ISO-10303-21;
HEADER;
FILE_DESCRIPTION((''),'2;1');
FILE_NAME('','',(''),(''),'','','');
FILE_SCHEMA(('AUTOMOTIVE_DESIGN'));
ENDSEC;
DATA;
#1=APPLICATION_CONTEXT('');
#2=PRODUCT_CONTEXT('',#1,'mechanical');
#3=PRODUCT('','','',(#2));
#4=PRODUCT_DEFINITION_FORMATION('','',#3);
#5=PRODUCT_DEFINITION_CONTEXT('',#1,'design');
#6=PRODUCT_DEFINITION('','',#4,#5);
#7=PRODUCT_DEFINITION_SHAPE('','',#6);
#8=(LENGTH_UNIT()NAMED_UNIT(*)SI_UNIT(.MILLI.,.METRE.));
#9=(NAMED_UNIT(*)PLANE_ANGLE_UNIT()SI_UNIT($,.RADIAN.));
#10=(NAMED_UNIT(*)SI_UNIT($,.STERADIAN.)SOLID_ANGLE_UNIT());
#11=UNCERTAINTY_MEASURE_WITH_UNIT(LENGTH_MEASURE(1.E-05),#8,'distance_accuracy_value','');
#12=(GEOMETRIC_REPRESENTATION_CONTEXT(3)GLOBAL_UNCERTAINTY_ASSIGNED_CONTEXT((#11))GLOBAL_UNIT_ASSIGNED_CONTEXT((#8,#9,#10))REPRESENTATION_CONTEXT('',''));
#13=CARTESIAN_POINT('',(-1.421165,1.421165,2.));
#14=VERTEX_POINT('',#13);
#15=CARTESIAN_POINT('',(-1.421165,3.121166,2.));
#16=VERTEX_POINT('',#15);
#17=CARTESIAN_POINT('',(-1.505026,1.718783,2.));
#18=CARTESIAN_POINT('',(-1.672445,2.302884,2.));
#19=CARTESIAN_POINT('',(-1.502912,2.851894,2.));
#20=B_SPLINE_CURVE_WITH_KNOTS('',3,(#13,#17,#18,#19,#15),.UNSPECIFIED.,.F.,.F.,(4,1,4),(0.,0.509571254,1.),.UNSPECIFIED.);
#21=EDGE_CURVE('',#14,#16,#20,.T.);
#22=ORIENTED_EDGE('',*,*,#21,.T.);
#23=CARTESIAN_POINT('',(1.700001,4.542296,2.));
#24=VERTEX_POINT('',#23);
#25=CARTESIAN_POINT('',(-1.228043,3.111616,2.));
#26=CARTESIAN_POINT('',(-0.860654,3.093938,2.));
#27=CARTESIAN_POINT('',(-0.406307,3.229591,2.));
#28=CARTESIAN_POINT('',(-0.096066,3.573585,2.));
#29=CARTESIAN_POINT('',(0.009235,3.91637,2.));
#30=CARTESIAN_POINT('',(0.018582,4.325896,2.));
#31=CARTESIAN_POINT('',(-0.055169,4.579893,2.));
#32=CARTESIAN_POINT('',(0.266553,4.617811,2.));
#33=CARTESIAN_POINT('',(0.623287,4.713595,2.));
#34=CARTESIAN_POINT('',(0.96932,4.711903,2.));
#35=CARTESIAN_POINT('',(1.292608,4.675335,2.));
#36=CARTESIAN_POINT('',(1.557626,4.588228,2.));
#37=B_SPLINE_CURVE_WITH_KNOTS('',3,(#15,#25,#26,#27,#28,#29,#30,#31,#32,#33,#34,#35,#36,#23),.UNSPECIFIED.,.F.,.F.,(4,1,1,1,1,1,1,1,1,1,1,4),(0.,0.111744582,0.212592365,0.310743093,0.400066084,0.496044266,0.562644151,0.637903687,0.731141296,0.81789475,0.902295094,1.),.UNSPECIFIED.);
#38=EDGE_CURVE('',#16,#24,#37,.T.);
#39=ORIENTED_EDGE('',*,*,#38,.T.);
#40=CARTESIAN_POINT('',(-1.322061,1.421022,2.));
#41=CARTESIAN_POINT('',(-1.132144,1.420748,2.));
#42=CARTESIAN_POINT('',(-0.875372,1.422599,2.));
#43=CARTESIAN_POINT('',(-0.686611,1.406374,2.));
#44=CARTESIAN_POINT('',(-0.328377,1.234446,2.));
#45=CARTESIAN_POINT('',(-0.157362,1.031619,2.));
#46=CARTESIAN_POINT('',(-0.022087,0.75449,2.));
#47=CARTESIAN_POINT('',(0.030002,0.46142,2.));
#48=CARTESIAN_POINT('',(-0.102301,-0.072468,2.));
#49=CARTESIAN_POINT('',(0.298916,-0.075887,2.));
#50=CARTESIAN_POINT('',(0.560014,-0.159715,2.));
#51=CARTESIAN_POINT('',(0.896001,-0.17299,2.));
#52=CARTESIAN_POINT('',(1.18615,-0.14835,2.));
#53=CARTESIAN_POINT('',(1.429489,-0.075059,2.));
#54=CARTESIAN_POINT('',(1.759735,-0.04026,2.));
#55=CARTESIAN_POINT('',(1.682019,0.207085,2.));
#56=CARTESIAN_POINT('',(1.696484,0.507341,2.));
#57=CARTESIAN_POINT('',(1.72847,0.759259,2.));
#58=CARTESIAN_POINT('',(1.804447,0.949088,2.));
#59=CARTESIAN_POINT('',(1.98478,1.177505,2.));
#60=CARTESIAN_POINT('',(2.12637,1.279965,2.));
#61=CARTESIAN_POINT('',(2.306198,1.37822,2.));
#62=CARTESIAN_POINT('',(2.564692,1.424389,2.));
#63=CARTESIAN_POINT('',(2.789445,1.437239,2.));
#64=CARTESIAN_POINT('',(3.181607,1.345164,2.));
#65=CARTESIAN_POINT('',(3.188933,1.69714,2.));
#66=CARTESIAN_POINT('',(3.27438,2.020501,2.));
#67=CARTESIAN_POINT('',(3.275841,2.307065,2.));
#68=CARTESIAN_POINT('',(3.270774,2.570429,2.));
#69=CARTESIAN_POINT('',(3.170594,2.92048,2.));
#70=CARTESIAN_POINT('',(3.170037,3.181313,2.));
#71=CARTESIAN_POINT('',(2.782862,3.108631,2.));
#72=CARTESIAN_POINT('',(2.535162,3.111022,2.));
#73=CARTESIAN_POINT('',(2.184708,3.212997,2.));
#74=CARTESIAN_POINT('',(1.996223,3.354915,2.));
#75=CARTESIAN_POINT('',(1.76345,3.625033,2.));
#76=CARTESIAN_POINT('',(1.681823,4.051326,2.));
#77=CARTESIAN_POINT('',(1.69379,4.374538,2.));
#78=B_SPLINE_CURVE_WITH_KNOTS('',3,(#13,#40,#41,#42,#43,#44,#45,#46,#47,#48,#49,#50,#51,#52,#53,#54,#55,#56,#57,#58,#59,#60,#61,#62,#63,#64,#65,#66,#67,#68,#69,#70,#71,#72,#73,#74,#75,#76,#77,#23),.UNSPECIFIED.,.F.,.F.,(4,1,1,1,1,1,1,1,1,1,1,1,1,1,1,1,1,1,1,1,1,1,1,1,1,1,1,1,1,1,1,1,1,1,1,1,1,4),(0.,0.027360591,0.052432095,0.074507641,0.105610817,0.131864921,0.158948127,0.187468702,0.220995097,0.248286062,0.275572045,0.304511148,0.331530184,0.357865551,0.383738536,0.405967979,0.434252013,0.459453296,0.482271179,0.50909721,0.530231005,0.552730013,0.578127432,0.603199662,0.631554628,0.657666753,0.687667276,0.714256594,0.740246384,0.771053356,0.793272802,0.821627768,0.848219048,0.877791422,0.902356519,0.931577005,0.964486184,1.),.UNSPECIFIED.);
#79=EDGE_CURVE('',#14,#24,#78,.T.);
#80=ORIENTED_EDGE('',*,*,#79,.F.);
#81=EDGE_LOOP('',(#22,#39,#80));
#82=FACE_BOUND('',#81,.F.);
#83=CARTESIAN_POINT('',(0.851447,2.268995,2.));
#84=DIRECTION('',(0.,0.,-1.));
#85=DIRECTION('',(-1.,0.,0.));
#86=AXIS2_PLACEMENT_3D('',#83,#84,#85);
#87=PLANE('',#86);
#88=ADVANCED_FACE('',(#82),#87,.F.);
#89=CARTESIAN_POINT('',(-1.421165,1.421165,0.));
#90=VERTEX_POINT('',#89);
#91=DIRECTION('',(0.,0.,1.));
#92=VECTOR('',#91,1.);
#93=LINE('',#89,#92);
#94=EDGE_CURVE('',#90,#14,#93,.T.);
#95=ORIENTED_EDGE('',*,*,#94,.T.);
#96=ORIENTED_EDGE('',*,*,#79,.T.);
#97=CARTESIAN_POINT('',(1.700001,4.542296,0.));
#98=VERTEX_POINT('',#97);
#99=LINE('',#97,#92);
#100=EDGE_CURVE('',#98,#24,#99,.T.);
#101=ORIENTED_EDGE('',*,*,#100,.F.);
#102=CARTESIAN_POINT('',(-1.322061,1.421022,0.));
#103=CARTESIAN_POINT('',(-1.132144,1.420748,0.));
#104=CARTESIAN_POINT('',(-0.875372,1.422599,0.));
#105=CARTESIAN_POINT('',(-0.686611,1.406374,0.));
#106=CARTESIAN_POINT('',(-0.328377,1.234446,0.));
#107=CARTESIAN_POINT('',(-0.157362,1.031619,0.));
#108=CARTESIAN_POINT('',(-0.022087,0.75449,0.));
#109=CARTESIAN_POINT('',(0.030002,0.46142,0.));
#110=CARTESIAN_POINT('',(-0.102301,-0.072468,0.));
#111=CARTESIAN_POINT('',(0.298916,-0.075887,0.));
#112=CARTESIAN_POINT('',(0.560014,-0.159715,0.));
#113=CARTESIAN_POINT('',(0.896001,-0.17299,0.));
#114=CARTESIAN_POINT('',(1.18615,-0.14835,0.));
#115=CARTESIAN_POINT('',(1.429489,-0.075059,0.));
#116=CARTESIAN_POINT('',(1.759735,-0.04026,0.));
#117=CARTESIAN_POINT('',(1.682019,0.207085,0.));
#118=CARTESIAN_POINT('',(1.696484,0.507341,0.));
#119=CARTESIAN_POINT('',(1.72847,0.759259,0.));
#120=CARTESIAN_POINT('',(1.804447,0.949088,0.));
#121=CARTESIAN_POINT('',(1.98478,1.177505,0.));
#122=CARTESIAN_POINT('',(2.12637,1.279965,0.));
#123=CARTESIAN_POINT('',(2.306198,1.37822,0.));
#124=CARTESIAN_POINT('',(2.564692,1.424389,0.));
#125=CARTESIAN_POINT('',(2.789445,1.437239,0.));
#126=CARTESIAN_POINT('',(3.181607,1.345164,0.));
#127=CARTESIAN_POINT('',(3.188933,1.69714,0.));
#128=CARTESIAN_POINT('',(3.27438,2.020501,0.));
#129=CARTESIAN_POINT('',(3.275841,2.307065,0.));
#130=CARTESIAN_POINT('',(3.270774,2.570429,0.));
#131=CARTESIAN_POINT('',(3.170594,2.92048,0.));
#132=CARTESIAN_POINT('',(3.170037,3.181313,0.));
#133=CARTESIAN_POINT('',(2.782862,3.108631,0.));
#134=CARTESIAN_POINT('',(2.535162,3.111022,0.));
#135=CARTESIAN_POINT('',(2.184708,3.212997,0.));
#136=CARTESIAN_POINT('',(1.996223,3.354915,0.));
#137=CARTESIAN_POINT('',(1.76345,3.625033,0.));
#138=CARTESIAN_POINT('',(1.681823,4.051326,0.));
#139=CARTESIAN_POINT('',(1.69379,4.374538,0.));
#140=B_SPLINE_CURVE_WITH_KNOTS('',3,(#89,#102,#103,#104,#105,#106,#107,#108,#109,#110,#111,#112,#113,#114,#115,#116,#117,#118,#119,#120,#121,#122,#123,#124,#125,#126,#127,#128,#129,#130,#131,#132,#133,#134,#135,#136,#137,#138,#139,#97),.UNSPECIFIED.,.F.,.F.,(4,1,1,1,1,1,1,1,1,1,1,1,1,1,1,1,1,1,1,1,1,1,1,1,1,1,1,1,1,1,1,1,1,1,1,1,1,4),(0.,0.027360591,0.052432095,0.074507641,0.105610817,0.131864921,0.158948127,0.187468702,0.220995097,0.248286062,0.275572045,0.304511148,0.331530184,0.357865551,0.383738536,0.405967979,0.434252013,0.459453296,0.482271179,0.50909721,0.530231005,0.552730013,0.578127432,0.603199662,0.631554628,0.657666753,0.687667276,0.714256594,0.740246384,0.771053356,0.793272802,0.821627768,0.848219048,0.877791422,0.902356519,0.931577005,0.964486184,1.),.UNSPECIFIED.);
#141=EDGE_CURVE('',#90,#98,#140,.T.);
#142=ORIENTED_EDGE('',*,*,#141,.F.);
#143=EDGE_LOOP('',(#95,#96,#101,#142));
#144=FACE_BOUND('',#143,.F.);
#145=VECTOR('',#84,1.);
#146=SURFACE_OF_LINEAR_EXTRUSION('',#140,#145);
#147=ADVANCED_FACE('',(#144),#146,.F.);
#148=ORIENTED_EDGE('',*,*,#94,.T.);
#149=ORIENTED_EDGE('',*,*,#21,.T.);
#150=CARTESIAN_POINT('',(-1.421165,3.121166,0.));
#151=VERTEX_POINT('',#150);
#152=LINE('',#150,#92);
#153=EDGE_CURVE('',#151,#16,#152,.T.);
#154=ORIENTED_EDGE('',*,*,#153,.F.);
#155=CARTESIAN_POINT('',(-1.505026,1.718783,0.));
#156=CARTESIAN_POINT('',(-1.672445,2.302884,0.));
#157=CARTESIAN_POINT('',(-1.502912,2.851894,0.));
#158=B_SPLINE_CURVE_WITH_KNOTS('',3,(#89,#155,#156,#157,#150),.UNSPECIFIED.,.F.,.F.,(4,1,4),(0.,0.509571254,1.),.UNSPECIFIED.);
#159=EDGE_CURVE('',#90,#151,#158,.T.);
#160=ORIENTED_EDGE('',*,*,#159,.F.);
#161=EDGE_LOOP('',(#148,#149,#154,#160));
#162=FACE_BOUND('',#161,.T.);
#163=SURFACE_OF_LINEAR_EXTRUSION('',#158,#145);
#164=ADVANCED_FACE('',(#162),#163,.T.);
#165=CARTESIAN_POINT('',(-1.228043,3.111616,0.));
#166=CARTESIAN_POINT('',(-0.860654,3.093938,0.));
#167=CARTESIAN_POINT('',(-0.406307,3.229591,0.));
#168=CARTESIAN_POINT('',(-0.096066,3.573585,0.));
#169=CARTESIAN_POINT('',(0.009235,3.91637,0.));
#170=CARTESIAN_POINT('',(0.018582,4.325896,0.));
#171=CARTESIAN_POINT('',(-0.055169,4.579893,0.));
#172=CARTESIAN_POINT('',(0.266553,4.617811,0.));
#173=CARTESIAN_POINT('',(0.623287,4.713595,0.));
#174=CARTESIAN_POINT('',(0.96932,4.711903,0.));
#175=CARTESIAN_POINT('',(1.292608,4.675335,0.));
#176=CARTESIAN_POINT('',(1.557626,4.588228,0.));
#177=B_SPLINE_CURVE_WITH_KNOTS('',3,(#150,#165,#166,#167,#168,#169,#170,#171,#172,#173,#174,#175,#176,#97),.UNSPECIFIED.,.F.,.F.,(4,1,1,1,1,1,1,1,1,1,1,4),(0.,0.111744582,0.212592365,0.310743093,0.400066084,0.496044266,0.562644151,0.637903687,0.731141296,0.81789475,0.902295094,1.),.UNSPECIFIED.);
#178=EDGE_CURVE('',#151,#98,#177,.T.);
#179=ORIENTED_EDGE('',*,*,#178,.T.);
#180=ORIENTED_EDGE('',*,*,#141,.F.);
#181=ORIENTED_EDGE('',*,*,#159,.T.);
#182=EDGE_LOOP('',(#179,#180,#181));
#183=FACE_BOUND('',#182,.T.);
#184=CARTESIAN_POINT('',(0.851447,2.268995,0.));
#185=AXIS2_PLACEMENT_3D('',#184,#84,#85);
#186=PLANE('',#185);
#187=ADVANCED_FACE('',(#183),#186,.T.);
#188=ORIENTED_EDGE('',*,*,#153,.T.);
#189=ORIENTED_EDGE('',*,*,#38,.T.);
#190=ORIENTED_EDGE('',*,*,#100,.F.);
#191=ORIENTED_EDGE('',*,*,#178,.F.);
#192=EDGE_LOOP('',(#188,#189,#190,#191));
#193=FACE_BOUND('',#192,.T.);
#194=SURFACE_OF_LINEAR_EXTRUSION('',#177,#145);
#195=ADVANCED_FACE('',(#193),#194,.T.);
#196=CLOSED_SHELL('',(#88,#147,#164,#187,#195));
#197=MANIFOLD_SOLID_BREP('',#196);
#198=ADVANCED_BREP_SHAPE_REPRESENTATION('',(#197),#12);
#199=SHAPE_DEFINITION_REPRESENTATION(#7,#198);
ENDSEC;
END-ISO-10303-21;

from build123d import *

# Parameters (mm, degrees)
F1_DEPTH = 2


with BuildPart() as f1:
    # F0 (on Top) → F1 (new body)
    with BuildSketch(Plane.XY):
        with BuildLine():
            add(Edge.make_bspline(
                [(-1.4211652778, 1.4211652778), (-1.5050262513, 1.7187833956), (-1.6724451691, 2.3028842284), (-1.5029124894, 2.8518939398), (-1.4211652778, 3.1211661111)],
                knots=[0, 0, 0, 0, 0.5095712537, 1, 1, 1, 1], degree=3))
            add(Edge.make_bspline(
                [(-1.4211652778, 1.4211652778), (-1.3220610356, 1.4210221788), (-1.1321439719, 1.4207479529), (-0.8753722121, 1.4225985634), (-0.6866113917, 1.4063736021), (-0.3283772459, 1.2344459983), (-0.1573615516, 1.031619205), (-0.022086664, 0.7544902966), (0.0300015106, 0.4614201196), (-0.1023013803, -0.0724684394), (0.2989155622, -0.0758865834), (0.5600141917, -0.1597147282), (0.8960007904, -0.1729896095), (1.1861495006, -0.1483499234), (1.4294893351, -0.0750588997), (1.7597351687, -0.0402595743), (1.6820193196, 0.207084502), (1.6964835034, 0.5073405853), (1.7284703083, 0.7592592383), (1.8044474553, 0.9490881182), (1.984780137, 1.1775045867), (2.1263697957, 1.2799650969), (2.3061982401, 1.3782200065), (2.5646924248, 1.4243891577), (2.7894447451, 1.4372385673), (3.1816070607, 1.345163689), (3.1889328696, 1.6971399703), (3.2743798622, 2.0205013033), (3.2758405756, 2.3070654626), (3.2707739237, 2.5704292461), (3.1705942465, 2.9204801593), (3.1700373042, 3.1813133194), (2.7828622743, 3.1086310511), (2.5351624436, 3.1110216852), (2.1847075834, 3.2129972602), (1.996222559, 3.3549146623), (1.7634503034, 3.625033317), (1.6818233342, 4.0513263746), (1.6937898254, 4.3745383305), (1.7000008333, 4.5422961111)],
                knots=[0, 0, 0, 0, 0.0273605905, 0.0524320947, 0.0745076412, 0.1056108167, 0.1318649214, 0.158948127, 0.1874687016, 0.220995097, 0.2482860623, 0.2755720453, 0.3045111481, 0.3315301836, 0.3578655515, 0.3837385363, 0.4059679792, 0.434252013, 0.4594532962, 0.4822711791, 0.5090972104, 0.530231005, 0.5527300135, 0.5781274322, 0.6031996615, 0.6315546276, 0.6576667534, 0.6876672756, 0.714256594, 0.7402463844, 0.7710533559, 0.7932728015, 0.8216277676, 0.8482190477, 0.8777914221, 0.9023565188, 0.9315770045, 0.9644861842, 1, 1, 1, 1], degree=3))
            add(Edge.make_bspline(
                [(-1.4211652778, 3.1211661111), (-1.2280427983, 3.1116163203), (-0.860653762, 3.0939381794), (-0.4063066053, 3.2295914257), (-0.0960655792, 3.5735849772), (0.0092351291, 3.9163695603), (0.0185824614, 4.3258956527), (-0.055169106, 4.5798926122), (0.2665534162, 4.6178113553), (0.6232872167, 4.7135952514), (0.9693201666, 4.7119031567), (1.2926077441, 4.6753346985), (1.5576261992, 4.5882282074), (1.7000008333, 4.5422961111)],
                knots=[0, 0, 0, 0, 0.1117445823, 0.2125923647, 0.3107430927, 0.4000660841, 0.4960442665, 0.5626441507, 0.6379036869, 0.7311412958, 0.8178947498, 0.9022950941, 1, 1, 1, 1], degree=3))
        make_face()
    extrude(amount=F1_DEPTH)


solid = f1.part
